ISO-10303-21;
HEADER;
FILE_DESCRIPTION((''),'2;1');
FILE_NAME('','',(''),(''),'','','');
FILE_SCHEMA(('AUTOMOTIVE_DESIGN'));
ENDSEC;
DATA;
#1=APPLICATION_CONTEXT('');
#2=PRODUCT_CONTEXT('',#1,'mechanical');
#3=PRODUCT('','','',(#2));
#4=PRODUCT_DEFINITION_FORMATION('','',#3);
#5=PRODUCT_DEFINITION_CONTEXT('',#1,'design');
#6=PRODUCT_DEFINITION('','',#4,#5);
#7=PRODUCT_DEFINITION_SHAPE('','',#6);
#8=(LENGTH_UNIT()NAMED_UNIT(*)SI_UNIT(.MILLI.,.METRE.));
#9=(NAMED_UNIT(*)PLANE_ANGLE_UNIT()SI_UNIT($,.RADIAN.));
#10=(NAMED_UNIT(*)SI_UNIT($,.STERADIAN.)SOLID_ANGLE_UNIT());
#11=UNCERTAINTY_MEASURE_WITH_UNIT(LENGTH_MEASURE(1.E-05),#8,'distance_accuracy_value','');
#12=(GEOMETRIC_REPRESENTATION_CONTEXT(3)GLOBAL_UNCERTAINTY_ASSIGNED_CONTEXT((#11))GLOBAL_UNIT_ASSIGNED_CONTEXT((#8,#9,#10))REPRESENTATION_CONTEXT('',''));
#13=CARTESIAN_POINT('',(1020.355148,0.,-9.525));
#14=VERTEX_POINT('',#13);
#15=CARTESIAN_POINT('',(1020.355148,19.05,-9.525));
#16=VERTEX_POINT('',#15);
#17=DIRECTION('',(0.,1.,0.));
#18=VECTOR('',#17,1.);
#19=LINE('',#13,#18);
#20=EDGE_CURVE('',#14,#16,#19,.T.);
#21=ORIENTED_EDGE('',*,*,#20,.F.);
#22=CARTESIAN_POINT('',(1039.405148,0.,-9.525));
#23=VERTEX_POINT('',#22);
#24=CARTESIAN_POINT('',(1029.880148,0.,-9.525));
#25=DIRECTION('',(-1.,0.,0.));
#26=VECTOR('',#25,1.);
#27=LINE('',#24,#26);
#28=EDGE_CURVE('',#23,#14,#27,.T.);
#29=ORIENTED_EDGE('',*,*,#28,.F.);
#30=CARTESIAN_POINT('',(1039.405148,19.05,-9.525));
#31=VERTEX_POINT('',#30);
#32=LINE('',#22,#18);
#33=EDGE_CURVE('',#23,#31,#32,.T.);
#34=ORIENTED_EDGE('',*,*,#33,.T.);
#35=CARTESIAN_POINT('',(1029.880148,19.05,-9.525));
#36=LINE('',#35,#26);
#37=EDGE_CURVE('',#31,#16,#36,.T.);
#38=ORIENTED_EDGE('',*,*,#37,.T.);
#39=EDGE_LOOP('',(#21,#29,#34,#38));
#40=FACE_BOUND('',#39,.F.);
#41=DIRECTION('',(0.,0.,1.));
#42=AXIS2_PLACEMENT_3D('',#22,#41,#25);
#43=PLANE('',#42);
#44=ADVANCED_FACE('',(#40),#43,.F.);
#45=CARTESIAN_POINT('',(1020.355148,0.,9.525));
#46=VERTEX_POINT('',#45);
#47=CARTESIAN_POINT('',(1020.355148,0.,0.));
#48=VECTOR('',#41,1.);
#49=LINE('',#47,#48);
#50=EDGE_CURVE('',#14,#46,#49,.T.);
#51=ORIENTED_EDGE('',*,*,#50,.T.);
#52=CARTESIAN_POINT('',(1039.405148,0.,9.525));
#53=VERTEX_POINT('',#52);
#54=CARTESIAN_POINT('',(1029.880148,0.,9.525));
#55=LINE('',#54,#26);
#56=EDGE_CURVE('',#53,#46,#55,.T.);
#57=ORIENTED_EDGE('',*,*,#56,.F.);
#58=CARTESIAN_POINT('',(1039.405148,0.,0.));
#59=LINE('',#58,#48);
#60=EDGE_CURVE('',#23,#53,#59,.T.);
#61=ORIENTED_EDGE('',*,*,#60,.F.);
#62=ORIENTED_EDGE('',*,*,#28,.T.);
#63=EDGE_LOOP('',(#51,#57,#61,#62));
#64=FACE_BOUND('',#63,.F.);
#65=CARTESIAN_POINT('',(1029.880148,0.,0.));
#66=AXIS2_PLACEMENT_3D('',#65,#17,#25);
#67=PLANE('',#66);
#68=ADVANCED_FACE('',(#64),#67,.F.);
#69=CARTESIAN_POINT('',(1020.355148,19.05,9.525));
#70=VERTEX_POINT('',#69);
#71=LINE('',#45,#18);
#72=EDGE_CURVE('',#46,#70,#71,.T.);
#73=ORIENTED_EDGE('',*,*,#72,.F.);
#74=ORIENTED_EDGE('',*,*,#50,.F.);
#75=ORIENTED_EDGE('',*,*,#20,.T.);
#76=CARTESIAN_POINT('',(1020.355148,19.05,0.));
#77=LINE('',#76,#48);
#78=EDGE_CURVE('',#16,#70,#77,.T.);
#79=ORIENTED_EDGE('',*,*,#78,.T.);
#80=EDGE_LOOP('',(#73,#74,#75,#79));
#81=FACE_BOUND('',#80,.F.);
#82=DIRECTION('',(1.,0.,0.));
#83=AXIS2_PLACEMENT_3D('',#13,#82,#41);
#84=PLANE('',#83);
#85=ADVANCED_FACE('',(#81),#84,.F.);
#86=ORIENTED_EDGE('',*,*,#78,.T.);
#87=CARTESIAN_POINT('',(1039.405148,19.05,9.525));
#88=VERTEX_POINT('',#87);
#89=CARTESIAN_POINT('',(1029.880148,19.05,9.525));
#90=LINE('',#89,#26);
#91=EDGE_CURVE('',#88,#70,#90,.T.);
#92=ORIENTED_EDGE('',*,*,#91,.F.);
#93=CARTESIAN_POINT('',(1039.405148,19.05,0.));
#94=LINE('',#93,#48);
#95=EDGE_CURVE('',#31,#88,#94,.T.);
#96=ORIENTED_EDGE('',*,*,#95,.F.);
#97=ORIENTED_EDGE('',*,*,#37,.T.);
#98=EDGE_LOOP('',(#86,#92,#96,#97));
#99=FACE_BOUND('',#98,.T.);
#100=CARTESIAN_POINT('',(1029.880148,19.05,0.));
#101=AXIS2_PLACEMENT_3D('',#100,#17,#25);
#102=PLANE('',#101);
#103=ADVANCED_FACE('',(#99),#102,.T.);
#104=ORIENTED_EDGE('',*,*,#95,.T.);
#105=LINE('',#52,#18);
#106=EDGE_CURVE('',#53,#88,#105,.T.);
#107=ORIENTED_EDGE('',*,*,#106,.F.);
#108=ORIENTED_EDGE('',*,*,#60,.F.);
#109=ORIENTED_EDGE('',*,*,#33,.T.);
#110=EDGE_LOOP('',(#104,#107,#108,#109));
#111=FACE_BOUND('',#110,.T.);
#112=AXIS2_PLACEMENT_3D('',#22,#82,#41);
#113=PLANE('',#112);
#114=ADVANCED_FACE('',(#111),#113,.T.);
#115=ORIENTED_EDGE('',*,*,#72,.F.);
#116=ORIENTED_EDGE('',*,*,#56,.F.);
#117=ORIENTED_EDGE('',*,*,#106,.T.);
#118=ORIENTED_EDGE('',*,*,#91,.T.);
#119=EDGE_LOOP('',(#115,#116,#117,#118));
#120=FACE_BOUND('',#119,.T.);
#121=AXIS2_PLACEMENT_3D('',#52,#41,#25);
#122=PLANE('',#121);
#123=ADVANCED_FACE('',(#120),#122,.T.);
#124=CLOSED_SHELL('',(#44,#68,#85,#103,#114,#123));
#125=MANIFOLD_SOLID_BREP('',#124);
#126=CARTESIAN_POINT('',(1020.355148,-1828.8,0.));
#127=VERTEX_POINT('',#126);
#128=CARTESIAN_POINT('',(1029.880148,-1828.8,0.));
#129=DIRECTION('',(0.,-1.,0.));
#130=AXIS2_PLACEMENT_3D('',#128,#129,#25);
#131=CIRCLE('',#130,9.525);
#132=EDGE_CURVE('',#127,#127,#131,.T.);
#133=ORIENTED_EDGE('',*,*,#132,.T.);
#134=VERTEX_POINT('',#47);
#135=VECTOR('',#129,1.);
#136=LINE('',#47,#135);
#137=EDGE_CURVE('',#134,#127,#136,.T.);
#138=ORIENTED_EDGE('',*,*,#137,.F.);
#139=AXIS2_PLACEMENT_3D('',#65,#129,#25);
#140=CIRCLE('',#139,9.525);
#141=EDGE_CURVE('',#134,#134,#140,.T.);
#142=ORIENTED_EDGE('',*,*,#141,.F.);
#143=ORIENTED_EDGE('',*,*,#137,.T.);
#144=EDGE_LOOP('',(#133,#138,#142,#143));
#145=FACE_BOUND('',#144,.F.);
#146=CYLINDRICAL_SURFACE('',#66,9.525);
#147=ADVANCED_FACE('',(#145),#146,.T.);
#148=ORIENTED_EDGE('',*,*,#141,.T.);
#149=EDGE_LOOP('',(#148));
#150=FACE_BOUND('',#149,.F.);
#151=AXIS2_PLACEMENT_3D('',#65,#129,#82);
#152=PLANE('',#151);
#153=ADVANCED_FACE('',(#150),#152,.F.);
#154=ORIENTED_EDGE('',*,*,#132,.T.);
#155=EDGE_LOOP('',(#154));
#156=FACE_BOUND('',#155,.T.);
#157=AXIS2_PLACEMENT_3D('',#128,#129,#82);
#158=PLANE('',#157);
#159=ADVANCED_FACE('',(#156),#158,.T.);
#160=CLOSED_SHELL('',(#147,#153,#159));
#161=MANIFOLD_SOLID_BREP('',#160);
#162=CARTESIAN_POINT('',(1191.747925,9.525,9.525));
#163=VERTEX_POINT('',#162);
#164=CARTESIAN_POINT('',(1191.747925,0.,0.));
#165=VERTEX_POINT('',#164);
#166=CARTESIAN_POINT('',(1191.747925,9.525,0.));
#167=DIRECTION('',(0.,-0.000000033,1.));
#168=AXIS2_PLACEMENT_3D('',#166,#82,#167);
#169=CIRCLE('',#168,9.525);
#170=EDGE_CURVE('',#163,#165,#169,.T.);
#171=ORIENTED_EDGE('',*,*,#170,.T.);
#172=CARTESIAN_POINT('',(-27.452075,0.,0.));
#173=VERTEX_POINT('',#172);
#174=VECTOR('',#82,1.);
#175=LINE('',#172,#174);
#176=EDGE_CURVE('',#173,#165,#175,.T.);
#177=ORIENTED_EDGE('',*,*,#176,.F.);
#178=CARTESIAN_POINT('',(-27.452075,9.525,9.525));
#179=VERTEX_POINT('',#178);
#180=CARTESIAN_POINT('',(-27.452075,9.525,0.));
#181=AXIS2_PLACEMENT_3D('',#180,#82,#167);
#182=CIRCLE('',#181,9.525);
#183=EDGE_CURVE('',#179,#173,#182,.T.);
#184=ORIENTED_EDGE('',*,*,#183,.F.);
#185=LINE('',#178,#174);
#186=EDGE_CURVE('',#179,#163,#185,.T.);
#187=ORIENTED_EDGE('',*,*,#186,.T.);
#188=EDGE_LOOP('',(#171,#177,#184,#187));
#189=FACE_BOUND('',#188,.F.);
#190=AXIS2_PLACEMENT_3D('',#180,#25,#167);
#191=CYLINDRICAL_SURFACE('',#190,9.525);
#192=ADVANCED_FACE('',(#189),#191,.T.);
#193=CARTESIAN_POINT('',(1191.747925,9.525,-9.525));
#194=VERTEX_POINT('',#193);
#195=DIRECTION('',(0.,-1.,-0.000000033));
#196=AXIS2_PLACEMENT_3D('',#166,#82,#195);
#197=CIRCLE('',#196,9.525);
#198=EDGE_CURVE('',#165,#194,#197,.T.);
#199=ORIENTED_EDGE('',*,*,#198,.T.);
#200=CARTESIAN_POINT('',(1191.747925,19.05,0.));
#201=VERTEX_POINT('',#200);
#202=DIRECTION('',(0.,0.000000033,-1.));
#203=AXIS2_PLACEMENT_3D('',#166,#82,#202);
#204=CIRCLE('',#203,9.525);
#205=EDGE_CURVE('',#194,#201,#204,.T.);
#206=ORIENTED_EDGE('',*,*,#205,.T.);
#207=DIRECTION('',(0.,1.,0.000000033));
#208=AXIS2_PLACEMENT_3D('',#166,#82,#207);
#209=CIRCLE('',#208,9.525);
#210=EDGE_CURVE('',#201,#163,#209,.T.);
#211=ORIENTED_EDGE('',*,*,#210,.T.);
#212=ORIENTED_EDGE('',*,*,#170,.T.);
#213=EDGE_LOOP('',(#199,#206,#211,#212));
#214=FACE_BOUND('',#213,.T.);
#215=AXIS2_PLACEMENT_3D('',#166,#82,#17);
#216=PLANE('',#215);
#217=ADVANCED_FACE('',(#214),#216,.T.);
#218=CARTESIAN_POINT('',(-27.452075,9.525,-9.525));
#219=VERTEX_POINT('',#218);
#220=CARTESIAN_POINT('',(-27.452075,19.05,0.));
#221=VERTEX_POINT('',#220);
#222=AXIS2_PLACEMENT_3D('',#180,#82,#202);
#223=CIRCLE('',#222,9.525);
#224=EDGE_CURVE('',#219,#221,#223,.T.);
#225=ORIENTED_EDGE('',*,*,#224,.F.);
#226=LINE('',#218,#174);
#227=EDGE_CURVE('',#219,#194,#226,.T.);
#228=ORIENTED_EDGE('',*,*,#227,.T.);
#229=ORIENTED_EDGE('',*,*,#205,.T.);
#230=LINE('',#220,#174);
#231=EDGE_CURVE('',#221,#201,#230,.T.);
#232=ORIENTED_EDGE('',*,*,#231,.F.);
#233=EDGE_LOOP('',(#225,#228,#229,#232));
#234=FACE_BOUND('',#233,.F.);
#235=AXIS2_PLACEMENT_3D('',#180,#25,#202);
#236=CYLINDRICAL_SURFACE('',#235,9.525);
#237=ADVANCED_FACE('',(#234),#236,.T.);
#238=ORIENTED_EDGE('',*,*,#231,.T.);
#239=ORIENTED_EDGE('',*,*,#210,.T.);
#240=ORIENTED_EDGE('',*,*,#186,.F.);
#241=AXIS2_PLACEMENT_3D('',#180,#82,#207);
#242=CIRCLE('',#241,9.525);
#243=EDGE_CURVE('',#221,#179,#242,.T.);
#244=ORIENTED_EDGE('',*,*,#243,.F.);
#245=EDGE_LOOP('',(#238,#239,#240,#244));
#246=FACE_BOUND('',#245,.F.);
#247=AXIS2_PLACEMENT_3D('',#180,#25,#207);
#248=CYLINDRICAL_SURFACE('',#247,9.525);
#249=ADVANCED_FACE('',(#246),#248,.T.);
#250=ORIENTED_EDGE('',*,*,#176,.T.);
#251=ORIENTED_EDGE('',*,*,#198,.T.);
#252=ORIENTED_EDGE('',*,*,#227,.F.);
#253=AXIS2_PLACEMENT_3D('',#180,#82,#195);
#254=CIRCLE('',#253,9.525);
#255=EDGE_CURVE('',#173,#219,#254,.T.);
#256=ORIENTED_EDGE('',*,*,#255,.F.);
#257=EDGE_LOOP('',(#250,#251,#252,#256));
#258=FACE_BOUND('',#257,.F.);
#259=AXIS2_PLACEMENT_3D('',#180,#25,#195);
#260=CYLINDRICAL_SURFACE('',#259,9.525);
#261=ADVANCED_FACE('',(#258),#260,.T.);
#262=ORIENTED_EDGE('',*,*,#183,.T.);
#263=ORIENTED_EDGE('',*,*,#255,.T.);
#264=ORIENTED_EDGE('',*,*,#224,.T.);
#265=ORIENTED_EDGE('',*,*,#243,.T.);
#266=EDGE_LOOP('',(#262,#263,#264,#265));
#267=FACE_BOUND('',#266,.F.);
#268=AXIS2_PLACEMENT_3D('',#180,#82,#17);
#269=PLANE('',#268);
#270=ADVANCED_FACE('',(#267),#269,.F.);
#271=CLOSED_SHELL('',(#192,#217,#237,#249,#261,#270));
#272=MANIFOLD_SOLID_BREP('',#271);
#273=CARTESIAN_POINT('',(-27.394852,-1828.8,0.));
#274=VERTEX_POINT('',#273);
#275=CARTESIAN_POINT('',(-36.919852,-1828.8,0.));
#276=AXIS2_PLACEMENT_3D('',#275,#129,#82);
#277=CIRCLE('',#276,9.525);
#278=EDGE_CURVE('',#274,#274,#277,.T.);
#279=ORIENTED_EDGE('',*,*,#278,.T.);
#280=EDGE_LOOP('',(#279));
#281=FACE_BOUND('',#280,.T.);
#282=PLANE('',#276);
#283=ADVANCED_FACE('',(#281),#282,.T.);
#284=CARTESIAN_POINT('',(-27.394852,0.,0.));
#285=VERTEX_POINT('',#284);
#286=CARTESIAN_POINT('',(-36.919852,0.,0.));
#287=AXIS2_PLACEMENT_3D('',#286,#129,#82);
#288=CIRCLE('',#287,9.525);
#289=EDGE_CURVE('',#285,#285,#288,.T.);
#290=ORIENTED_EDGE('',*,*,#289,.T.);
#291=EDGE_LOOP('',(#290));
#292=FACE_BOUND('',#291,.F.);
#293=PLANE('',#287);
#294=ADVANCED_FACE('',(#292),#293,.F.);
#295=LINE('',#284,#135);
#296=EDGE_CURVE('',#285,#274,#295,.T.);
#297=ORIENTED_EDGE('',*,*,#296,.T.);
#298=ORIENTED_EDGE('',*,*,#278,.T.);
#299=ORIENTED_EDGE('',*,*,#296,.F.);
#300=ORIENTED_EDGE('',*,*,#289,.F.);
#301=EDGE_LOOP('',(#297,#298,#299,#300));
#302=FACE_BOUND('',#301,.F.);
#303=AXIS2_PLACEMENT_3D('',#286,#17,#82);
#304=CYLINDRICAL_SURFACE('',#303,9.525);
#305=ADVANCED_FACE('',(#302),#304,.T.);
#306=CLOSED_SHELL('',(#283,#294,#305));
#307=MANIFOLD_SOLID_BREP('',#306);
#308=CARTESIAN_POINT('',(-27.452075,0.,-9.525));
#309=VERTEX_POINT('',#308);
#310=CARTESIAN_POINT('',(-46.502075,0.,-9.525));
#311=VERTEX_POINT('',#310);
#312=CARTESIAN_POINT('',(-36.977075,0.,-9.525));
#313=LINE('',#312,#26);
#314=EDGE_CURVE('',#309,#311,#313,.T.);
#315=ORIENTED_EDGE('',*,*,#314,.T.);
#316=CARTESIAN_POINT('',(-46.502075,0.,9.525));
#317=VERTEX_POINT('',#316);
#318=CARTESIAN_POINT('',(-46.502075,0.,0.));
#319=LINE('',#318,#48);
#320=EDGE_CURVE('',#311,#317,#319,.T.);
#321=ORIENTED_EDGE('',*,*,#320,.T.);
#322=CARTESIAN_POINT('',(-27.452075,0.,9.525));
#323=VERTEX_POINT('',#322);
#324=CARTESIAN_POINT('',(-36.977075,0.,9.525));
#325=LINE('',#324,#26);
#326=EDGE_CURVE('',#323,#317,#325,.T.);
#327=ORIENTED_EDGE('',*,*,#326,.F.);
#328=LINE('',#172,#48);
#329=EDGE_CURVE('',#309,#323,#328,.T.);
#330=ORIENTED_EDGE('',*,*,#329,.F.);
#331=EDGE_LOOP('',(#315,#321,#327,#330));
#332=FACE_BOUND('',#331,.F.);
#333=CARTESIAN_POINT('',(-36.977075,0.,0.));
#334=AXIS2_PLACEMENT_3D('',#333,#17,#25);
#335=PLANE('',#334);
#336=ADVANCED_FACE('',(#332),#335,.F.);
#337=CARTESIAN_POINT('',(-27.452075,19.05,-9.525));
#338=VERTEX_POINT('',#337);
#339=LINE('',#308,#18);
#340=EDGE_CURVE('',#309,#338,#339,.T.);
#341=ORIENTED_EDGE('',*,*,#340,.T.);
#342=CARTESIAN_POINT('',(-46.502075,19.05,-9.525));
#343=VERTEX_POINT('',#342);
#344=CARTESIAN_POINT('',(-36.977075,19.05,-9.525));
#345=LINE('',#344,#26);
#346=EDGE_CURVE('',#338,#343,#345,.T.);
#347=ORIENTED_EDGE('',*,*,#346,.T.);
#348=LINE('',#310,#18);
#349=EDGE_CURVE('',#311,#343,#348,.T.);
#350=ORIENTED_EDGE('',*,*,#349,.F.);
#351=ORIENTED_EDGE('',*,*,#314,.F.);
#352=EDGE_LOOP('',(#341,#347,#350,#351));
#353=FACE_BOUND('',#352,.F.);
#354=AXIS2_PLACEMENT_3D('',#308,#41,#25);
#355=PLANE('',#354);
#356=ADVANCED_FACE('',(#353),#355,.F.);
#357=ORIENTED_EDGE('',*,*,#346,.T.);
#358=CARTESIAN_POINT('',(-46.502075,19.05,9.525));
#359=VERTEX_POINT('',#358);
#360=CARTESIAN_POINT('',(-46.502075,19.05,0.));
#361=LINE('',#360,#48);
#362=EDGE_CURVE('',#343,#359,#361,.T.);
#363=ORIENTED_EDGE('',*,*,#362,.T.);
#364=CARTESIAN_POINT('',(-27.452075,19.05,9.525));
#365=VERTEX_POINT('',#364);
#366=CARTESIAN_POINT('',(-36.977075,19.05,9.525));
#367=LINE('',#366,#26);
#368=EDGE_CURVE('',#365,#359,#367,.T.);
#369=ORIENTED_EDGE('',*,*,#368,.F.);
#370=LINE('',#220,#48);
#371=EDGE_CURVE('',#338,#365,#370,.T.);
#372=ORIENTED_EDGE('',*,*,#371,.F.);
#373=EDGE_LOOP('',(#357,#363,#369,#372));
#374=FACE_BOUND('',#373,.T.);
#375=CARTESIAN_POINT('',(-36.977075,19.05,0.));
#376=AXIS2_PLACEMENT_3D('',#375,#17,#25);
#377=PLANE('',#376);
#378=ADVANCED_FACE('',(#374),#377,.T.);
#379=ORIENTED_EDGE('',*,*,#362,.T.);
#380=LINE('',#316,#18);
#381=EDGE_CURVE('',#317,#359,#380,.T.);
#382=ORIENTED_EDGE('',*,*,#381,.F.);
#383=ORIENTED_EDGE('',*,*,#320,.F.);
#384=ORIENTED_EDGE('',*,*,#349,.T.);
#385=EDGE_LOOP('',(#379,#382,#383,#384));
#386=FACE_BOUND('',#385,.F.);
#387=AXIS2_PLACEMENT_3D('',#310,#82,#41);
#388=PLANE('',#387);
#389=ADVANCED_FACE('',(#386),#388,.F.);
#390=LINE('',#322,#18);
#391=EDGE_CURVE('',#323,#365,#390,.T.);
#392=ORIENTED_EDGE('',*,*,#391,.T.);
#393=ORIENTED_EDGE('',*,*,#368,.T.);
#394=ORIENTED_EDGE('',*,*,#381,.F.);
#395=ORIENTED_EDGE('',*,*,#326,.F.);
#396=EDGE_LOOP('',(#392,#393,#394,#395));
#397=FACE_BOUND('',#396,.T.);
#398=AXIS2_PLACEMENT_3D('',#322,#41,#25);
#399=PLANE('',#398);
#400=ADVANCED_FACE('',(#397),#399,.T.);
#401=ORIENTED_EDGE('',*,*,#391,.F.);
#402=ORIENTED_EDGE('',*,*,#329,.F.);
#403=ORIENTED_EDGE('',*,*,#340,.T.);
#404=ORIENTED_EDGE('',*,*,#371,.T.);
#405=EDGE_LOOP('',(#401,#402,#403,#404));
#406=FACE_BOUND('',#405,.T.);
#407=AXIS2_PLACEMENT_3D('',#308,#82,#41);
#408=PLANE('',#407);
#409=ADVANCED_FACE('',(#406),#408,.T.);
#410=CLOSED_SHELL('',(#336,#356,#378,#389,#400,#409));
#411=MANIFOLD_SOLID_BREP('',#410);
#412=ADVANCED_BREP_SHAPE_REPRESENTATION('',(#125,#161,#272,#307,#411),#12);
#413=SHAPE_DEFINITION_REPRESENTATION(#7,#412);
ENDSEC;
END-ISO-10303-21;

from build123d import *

# Parameters (mm, degrees)
F0_R     = 9.525
F1_DEPTH = 1828.8
F2_W     = 19.05
F2_H     = 19.05
F3_DEPTH = 19.05
F5_DEPTH = 1219.2


with BuildPart() as f1:
    # F0 (on Front) → F1 (new body)
    with BuildSketch(Plane.XZ):
        with Locations((-36.919852, 0)):
            Circle(F0_R)
        with BuildLine():
            ThreePointArc((1039.405148, 0), (1029.880148, 9.525), (1020.355148, 0))
            ThreePointArc((1020.355148, 0), (1029.880148, -9.525), (1039.405148, 0))
        make_face()
    extrude(amount=F1_DEPTH)


with BuildPart() as f3:
    # F2 (on face) → F3 (new body)
    with BuildSketch(Plane(origin=(0, 0, 0), x_dir=(-1, 0, 0), z_dir=(0, 1, 0))):
        with Locations((-1029.880148, 0)):
            Rectangle(F2_W, F2_H)
        with Locations((36.977075, 0)):
            Rectangle(F2_W, F2_H)
    extrude(amount=F3_DEPTH)


with BuildPart() as f5:
    # F4 (on face) → F5 (new body)
    with BuildSketch(Plane.YZ.offset(-27.452075)):
        with BuildLine():
            ThreePointArc((9.525, -9.525), (16.260192, -6.735192), (19.05, 0))
            ThreePointArc((19.05, 0), (16.260192, 6.735192), (9.525, 9.525))
            ThreePointArc((9.525, 9.525), (2.789808, 6.735192), (0, 0))
            ThreePointArc((0, 0), (2.789808, -6.735192), (9.525, -9.525))
        make_face()
    extrude(amount=F5_DEPTH)


solid = Compound([f1.part, f3.part, f5.part])
